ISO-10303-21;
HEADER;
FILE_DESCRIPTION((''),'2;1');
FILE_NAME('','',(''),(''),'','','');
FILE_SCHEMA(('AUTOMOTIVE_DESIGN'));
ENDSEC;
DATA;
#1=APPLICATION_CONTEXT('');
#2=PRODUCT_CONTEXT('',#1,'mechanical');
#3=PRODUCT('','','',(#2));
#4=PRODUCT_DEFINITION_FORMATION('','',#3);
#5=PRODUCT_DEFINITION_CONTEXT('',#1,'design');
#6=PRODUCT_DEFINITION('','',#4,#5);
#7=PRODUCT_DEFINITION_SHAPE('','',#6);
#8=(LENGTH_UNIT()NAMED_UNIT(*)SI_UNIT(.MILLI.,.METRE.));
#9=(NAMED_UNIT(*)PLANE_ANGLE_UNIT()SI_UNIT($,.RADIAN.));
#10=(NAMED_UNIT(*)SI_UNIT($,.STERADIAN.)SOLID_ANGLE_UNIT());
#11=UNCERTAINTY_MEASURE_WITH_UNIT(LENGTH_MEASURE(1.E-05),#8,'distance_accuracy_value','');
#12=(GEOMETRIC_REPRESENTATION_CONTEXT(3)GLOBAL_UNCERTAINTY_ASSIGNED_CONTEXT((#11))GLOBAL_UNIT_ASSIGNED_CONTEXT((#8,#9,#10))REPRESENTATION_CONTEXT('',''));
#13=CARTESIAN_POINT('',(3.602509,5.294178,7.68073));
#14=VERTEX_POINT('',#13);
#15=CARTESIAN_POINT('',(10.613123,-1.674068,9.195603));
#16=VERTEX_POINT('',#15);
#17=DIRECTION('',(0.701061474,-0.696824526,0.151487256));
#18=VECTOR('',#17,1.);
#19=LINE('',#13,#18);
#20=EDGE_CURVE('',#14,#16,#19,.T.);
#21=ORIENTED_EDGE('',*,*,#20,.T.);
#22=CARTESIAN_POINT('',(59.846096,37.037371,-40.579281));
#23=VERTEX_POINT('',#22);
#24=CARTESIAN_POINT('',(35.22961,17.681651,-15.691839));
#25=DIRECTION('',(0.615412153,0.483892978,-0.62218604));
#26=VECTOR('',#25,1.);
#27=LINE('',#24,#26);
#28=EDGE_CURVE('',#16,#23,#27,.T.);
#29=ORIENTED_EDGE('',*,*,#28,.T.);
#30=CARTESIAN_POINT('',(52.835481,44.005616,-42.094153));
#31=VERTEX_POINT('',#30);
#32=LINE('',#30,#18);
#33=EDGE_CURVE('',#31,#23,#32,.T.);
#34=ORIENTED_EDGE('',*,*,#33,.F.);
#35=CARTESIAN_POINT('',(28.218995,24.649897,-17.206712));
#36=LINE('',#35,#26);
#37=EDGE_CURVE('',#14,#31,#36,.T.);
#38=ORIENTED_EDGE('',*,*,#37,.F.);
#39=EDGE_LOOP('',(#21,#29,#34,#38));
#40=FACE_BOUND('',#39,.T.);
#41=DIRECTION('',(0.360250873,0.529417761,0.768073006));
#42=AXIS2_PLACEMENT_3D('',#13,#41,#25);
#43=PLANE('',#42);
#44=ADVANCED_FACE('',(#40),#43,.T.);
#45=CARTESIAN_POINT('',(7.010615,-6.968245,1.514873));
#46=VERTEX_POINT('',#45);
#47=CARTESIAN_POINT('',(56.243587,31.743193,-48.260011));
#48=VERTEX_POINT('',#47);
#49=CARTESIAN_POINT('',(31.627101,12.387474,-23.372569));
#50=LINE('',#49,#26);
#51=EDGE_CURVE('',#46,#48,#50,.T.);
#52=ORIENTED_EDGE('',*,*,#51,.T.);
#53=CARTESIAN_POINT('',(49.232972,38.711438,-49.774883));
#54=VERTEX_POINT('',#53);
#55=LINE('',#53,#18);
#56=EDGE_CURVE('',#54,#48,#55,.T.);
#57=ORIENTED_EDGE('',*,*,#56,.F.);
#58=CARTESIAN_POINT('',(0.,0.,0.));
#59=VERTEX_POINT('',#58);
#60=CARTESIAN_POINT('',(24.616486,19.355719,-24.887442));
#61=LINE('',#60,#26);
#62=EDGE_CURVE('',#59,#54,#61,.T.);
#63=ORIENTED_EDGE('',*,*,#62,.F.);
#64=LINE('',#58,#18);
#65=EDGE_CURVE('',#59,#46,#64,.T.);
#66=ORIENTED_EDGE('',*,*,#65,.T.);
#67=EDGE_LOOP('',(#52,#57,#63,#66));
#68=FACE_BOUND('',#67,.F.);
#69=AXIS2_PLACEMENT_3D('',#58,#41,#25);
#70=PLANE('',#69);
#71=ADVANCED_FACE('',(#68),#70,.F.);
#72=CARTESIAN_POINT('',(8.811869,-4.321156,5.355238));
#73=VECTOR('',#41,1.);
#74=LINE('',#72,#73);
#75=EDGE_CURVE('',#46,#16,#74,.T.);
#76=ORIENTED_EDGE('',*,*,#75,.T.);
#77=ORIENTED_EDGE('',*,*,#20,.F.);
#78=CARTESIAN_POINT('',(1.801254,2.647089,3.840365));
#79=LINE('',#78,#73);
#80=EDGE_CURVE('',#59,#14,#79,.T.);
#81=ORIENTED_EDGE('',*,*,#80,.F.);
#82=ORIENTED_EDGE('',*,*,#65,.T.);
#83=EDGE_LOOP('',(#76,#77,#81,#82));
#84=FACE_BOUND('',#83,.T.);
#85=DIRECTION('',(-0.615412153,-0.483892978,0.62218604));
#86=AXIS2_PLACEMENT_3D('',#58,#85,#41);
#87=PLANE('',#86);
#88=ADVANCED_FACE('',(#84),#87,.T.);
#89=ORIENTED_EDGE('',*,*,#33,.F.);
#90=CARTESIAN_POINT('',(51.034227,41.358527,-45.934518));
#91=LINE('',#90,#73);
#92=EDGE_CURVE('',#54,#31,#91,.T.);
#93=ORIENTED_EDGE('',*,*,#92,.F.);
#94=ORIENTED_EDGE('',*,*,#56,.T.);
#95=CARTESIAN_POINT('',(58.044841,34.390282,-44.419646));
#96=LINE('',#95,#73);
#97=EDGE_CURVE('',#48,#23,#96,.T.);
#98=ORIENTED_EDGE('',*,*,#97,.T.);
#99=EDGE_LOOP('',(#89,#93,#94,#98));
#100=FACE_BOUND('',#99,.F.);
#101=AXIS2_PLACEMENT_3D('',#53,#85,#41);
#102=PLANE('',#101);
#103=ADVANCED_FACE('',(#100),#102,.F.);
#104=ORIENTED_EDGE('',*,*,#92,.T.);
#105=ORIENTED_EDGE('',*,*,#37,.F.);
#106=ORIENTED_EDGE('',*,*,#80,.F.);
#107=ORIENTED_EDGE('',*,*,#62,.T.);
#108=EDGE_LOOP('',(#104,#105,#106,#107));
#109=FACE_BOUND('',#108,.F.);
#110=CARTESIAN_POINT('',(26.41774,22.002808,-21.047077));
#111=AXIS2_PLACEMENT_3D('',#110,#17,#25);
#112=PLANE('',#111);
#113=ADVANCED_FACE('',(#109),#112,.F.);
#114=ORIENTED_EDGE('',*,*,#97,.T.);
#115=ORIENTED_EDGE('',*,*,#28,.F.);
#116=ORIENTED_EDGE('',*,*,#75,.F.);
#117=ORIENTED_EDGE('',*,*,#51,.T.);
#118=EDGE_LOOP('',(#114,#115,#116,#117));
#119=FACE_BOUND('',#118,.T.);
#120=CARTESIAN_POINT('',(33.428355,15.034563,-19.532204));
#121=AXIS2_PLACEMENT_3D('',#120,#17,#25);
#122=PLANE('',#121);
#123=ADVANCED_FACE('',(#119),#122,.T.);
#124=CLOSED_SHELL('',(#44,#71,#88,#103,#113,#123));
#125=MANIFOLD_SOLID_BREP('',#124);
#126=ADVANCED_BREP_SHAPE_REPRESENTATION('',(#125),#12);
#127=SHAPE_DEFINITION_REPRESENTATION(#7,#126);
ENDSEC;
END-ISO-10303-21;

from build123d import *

# Parameters (mm, degrees)
BOX_W               = 80
BOX_H               = 10
BOX_DEPTH           = 10
BOX_ROLL_ANGLE      = 78.842738
BOX_PITCH_ANGLE     = 38.475947
BOX_PLACEMENT_ANGLE = 38.177648


with BuildPart() as part:
    # Box → Box (new body)
    with BuildSketch(Plane.XY):
        with Locations((40, 5)):
            Rectangle(BOX_W, BOX_H)
    extrude(amount=BOX_DEPTH)


with BuildPart() as part_1:
    # Box roll: moved
    add(part.part.rotate(Axis((0, 0, 0), (1, 0, 0)), BOX_ROLL_ANGLE))


with BuildPart() as part_2:
    # Box pitch: moved
    add(part_1.part.rotate(Axis((0, 0, 0), (0, 1, 0)), BOX_PITCH_ANGLE))


with BuildPart() as part_3:
    # Box placement: moved
    add(part_2.part.rotate(Axis((0, 0, 0), (0, 0, 1)), BOX_PLACEMENT_ANGLE))


solid = part_3.part
